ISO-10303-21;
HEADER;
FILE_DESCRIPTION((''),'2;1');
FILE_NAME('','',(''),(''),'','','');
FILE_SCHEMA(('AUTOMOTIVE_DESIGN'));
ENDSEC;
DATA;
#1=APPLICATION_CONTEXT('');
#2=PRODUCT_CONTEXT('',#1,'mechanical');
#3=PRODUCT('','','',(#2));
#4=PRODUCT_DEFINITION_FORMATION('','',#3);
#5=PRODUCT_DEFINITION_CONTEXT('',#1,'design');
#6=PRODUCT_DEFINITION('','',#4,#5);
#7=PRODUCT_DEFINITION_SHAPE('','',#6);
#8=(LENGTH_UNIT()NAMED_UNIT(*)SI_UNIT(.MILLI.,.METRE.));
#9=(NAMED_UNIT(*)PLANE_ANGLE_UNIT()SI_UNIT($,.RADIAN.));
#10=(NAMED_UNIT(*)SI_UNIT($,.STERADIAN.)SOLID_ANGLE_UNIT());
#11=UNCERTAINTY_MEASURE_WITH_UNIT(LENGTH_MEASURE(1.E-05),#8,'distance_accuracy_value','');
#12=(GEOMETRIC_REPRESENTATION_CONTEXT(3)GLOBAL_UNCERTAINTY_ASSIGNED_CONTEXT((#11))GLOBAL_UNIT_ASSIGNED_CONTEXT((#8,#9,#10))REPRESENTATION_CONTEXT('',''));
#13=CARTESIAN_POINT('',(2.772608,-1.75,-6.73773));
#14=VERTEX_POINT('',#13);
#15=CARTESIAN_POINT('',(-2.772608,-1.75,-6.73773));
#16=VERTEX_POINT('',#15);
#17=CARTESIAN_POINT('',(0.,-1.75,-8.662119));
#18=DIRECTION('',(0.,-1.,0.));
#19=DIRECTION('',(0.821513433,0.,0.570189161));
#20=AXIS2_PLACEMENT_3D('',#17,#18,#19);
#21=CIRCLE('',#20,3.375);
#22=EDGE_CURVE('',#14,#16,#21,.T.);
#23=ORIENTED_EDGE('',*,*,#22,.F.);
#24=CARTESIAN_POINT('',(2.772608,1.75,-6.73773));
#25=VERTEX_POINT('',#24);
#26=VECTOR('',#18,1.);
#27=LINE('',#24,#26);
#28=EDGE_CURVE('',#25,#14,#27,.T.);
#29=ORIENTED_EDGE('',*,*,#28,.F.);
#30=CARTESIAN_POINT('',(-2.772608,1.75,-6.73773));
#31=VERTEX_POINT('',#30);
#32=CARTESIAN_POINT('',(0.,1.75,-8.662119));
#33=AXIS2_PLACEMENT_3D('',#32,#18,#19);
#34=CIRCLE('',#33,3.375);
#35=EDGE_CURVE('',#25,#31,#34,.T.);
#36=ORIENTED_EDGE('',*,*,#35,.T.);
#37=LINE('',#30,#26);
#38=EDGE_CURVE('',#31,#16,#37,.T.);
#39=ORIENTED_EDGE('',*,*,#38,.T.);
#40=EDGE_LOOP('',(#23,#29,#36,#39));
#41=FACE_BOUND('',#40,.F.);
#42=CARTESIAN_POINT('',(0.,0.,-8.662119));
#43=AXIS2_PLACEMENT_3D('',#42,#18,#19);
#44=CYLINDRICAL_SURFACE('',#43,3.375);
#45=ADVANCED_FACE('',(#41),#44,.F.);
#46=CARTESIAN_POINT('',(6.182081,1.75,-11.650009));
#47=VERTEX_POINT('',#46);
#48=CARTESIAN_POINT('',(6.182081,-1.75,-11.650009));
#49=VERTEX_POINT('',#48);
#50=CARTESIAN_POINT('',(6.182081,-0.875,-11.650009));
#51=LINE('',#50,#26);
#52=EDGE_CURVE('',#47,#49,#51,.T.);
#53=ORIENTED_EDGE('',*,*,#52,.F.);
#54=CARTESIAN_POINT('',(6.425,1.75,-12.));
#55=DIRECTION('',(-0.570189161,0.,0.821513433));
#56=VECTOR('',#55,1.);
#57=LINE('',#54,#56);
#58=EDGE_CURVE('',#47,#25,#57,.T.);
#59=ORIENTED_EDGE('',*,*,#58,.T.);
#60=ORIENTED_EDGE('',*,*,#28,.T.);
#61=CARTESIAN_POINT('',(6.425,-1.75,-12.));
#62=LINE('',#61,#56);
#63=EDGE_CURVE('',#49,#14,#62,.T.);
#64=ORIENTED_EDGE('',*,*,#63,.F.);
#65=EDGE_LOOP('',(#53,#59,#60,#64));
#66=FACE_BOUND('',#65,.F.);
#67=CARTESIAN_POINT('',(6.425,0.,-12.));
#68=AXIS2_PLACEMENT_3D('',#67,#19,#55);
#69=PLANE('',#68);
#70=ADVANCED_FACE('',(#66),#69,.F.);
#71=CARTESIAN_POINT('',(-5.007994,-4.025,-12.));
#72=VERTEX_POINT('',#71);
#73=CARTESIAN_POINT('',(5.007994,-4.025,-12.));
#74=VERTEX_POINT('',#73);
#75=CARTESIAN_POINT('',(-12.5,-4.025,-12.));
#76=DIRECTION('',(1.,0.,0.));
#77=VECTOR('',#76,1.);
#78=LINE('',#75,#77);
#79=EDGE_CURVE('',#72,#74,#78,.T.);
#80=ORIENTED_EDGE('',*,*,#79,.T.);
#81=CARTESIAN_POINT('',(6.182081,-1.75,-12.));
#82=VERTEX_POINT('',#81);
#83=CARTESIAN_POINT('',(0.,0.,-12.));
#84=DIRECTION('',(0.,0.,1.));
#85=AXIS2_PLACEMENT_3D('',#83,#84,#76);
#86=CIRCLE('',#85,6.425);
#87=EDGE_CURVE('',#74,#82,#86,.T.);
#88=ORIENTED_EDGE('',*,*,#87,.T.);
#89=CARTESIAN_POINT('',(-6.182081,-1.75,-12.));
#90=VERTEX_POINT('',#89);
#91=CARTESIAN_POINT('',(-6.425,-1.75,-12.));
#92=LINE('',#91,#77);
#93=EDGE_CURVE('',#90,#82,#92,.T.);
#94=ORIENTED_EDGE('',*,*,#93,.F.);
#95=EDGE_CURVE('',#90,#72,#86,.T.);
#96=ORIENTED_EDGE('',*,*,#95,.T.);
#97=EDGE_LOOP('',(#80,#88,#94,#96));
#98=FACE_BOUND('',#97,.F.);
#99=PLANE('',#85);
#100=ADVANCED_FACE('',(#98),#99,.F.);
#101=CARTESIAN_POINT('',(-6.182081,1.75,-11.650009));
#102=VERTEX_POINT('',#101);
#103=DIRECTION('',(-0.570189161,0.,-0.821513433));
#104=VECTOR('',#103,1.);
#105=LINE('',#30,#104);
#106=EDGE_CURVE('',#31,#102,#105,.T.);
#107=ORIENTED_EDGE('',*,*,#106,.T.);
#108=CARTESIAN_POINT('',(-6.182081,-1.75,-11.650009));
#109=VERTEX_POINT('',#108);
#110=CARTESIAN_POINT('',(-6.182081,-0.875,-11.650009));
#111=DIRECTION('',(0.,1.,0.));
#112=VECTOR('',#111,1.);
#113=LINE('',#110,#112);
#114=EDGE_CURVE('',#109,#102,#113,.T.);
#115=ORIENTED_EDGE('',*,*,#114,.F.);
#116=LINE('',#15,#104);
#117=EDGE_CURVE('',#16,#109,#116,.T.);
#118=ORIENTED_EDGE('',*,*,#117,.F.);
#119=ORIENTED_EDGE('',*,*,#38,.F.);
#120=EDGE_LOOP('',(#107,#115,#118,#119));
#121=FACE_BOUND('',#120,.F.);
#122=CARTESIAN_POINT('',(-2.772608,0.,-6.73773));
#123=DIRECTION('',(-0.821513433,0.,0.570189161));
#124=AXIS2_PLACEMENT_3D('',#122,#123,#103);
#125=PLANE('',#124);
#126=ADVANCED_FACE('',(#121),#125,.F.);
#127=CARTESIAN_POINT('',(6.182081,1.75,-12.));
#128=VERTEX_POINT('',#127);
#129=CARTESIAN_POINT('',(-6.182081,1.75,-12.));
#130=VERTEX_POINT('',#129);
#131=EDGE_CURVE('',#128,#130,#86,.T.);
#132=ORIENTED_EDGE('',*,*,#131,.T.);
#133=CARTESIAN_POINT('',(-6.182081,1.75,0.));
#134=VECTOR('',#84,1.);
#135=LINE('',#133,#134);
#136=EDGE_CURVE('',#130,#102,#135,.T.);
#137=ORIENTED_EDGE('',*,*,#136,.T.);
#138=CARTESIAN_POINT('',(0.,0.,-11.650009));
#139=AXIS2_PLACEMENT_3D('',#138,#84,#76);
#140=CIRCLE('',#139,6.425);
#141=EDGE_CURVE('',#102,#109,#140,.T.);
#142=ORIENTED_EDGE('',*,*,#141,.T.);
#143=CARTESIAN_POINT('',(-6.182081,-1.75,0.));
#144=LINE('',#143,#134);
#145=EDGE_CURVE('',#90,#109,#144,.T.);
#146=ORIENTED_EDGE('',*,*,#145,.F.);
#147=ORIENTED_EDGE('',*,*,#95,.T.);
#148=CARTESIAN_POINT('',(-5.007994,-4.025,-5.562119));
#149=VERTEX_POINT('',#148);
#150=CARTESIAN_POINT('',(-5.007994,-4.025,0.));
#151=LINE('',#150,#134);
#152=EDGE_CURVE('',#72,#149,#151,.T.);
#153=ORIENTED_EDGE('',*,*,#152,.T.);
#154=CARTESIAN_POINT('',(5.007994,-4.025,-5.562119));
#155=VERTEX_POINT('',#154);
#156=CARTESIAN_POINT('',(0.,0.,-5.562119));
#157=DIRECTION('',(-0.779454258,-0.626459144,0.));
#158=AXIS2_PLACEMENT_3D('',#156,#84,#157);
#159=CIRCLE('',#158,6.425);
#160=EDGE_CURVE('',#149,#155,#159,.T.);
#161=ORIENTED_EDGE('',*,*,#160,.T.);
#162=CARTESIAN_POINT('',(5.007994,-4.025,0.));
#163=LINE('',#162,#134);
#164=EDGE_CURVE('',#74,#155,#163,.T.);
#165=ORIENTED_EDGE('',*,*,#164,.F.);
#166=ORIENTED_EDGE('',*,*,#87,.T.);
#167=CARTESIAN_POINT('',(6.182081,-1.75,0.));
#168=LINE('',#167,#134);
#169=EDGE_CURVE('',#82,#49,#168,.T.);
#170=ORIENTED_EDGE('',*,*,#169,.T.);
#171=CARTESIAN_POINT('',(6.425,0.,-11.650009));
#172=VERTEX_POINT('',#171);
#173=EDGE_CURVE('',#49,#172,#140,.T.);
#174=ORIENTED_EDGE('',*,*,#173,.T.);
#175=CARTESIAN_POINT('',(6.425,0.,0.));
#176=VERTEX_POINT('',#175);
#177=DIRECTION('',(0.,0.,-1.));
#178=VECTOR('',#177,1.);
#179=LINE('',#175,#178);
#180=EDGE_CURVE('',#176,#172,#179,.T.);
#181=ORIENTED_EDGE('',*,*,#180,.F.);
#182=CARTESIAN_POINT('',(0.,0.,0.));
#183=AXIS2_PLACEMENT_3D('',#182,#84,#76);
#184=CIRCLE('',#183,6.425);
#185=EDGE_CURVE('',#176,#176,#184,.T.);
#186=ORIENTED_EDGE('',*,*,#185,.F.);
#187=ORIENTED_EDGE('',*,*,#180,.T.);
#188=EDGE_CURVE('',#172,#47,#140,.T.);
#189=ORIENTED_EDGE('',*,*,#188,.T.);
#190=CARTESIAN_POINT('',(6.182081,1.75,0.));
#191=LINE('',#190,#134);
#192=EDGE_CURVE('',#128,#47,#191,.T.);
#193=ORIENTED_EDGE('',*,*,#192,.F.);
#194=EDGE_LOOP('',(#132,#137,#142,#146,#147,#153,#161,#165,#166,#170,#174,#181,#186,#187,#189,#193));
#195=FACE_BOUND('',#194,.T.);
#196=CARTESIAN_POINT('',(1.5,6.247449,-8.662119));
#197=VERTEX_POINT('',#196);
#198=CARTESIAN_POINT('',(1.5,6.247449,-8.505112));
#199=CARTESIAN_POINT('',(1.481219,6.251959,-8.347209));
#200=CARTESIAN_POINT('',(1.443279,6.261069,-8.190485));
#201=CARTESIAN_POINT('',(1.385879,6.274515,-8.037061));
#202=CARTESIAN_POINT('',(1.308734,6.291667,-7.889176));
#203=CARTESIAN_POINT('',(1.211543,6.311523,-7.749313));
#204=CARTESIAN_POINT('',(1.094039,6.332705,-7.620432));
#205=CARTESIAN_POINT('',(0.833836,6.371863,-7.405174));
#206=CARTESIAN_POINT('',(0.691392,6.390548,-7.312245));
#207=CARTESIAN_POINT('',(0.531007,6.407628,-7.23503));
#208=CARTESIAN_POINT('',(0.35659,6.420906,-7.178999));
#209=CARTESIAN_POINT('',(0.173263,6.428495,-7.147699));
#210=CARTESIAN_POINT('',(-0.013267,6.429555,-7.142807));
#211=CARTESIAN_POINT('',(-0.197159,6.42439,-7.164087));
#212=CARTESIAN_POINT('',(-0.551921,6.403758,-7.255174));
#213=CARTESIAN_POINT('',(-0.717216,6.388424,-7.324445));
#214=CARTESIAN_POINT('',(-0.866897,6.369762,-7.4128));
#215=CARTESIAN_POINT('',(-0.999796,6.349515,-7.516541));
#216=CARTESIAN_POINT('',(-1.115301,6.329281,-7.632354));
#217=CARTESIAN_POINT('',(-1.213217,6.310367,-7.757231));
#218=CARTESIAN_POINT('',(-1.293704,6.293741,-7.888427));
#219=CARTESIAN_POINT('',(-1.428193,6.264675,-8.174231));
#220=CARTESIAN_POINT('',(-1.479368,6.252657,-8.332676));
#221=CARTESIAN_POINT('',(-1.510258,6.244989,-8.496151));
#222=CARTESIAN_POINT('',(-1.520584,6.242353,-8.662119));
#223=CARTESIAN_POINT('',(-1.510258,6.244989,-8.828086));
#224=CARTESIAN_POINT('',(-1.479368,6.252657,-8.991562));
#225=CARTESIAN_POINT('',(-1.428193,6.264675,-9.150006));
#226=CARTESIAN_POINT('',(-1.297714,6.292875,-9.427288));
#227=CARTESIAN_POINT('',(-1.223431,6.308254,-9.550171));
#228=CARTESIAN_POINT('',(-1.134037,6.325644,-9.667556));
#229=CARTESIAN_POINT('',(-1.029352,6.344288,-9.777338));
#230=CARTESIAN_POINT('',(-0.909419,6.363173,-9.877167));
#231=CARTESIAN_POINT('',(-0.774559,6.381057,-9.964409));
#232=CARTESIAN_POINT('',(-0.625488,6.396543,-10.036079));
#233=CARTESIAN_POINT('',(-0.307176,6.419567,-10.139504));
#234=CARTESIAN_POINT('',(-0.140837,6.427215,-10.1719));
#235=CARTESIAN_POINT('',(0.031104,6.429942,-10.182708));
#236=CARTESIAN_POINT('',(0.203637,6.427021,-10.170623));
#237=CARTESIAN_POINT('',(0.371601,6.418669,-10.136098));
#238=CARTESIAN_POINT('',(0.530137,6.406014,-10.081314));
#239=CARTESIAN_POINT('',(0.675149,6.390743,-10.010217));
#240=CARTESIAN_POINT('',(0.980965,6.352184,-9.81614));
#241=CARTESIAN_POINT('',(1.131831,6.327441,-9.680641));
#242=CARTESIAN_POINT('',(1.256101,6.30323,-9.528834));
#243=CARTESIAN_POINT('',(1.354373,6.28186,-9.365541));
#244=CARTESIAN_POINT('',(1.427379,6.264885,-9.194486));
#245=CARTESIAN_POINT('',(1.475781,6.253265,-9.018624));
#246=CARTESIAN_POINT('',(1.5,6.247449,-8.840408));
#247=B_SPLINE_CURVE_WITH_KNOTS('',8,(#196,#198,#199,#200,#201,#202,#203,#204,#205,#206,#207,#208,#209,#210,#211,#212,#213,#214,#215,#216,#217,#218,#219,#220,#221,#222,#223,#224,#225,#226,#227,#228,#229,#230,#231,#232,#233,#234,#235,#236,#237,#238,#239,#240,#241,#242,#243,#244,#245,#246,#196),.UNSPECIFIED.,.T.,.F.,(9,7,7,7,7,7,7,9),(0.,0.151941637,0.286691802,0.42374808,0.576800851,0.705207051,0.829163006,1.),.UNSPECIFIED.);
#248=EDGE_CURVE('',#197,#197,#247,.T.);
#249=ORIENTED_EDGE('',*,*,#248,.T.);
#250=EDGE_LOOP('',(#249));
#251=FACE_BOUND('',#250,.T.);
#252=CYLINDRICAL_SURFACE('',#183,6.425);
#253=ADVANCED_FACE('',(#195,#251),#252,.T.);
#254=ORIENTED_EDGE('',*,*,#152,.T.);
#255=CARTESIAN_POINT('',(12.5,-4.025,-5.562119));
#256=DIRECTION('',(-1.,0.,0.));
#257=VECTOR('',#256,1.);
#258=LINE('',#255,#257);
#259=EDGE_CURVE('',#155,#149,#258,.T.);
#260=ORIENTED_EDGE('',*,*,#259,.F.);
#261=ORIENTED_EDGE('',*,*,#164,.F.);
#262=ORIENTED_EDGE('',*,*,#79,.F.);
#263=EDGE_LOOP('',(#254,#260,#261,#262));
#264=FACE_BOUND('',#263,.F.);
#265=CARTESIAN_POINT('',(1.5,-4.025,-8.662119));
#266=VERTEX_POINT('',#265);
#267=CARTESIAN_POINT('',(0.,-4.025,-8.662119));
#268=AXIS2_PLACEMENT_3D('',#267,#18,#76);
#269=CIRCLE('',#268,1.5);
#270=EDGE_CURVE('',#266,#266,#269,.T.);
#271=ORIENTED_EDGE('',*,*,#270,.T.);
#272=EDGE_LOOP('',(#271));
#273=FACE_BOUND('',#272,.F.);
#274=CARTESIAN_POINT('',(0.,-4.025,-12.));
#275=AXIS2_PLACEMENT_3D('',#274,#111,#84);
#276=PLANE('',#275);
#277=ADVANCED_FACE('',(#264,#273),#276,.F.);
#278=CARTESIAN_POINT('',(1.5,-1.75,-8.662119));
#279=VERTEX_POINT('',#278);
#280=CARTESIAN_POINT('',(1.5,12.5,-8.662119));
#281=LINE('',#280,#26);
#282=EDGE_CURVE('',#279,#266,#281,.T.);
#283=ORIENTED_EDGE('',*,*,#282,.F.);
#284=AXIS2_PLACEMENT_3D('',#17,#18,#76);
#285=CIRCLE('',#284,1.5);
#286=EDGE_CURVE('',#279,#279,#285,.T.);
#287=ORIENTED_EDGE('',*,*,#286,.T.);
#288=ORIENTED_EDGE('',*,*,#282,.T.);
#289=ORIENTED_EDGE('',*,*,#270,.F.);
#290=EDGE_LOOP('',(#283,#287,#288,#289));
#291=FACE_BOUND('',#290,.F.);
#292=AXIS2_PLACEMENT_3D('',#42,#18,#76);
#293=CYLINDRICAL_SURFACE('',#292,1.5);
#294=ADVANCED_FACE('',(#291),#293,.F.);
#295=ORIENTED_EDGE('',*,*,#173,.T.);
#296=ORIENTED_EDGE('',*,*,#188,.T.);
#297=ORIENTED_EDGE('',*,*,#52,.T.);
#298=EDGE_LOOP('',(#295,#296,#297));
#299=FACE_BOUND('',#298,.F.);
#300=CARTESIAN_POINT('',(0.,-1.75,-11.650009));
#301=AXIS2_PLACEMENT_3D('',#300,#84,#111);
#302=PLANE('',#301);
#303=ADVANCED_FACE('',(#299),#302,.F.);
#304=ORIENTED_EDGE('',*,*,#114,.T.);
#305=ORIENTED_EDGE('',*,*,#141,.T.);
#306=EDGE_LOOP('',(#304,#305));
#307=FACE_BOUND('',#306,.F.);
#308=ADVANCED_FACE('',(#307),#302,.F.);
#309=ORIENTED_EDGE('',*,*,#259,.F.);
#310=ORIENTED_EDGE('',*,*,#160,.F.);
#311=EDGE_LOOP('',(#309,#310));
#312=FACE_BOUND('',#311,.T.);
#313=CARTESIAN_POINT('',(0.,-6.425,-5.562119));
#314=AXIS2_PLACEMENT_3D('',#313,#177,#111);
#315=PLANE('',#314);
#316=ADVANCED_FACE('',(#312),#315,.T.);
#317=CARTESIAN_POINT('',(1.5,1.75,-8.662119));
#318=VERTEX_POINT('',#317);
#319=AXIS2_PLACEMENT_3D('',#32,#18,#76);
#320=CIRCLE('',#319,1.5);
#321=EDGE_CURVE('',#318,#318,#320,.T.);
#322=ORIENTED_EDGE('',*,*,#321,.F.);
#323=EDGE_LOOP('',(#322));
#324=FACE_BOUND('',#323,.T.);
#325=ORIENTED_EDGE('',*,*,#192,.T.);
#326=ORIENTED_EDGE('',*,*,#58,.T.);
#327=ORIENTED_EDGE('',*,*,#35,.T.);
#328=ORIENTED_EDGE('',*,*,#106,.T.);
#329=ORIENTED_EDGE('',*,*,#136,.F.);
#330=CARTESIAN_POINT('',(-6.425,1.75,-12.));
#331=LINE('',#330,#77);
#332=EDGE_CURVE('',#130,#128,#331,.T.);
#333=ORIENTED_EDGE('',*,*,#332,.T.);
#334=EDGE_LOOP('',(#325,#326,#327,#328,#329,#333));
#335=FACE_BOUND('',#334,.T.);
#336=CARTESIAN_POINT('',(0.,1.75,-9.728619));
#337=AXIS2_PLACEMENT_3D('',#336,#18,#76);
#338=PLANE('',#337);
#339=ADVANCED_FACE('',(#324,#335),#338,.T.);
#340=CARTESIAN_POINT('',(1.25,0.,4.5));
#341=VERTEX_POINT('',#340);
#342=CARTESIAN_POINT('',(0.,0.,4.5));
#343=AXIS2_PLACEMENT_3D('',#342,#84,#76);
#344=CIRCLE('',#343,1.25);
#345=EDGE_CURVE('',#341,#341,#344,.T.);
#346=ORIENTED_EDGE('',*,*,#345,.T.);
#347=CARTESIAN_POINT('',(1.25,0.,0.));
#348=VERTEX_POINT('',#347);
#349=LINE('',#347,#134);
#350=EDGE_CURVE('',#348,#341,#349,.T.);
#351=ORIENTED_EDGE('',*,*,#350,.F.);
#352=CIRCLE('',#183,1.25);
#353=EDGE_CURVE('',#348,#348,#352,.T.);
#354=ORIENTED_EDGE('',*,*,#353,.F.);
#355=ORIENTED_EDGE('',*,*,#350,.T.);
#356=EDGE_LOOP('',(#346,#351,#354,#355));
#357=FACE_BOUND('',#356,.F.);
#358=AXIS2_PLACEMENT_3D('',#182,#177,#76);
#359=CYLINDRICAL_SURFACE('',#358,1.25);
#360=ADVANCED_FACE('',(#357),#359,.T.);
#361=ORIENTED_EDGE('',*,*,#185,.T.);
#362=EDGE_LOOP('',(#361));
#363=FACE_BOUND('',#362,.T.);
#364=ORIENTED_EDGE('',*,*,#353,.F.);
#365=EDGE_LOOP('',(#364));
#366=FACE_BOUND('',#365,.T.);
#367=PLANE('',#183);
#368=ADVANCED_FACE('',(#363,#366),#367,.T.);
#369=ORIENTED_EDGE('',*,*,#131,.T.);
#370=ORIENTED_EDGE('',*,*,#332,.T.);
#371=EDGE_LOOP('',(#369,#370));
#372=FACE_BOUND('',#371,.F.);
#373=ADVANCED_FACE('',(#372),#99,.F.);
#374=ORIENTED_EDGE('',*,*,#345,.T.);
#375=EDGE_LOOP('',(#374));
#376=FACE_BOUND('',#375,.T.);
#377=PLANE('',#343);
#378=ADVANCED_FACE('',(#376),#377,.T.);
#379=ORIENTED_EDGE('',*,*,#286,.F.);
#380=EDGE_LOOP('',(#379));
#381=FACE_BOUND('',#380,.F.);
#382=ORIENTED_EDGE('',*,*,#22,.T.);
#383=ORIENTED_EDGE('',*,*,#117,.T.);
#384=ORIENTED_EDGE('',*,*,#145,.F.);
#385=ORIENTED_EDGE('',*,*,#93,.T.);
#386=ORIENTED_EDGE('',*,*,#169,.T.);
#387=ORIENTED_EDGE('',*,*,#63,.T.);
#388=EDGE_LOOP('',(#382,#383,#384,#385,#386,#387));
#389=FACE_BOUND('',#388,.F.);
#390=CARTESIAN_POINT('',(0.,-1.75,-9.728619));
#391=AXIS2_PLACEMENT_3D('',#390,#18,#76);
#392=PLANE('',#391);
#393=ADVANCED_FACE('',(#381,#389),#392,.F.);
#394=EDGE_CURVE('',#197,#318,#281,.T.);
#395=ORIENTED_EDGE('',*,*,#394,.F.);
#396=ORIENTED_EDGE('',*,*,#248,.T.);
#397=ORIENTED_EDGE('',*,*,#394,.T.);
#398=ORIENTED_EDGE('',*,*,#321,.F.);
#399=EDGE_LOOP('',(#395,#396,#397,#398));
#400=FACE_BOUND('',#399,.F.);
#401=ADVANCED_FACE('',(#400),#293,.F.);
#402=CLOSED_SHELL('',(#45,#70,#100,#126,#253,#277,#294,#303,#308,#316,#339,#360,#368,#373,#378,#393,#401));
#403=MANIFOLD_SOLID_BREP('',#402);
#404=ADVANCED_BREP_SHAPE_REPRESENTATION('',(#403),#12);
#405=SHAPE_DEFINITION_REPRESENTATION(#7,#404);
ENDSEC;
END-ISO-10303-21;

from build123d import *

# Parameters (mm, degrees)
F0_R     = 6.425
F1_DEPTH = 12
F2_R     = 1.5
F3_DEPTH = 12.5
F5_DEPTH = 1.75
F6_W     = 3.5
F6_H     = 0.3499913151
F6_W_2   = 2.4
F6_H_2   = 1.6
F6_H_3   = 3
F6_H_4   = 1.8378814235
F7_DEPTH = 12.5
F8_R     = 1.25
F9_DEPTH = 4.5


with BuildPart() as f1:
    # F0 (on Top) → F1 (new body)
    with BuildSketch(Plane.XY):
        Circle(F0_R)
    extrude(amount=-F1_DEPTH)

    # F2 (on Front) → F3 (cut, symmetric)
    with BuildSketch(Plane.XZ):
        with Locations((0, -8.6621185765)):
            Circle(F2_R)
    extrude(amount=F3_DEPTH, both=True, mode=Mode.SUBTRACT)

    # F4 (on Front) → F5 (cut, symmetric)
    with BuildSketch(Plane.XZ):
        with BuildLine():
            Line((6.425, -12), (2.7726078369, -6.7377301586))
            ThreePointArc((2.7726078369, -6.7377301586), (0, -5.2871185765), (-2.7726078369, -6.7377301586))
            Line((-2.7726078369, -6.7377301586), (-6.425, -12))
            Line((-6.425, -12), (6.425, -12))
        make_face()
    extrude(amount=F5_DEPTH, both=True, mode=Mode.SUBTRACT)

    # F6 (on Right) → F7 (cut, symmetric)
    with BuildSketch(Plane.YZ):
        with Locations((0, -11.8250043425)):
            Rectangle(F6_W, F6_H)
        with Locations((-5.225, -6.3621185765)):
            Rectangle(F6_W_2, F6_H_2)
        with Locations((-5.225, -8.6621185765)):
            Rectangle(F6_W_2, F6_H_3)
        with Locations((-5.225, -11.0810592882)):
            Rectangle(F6_W_2, F6_H_4)
    extrude(amount=F7_DEPTH, both=True, mode=Mode.SUBTRACT)

    # F8 (on face) → F9 (join)
    with BuildSketch(Plane.XY):
        Circle(F8_R)
    extrude(amount=F9_DEPTH)


solid = f1.part
